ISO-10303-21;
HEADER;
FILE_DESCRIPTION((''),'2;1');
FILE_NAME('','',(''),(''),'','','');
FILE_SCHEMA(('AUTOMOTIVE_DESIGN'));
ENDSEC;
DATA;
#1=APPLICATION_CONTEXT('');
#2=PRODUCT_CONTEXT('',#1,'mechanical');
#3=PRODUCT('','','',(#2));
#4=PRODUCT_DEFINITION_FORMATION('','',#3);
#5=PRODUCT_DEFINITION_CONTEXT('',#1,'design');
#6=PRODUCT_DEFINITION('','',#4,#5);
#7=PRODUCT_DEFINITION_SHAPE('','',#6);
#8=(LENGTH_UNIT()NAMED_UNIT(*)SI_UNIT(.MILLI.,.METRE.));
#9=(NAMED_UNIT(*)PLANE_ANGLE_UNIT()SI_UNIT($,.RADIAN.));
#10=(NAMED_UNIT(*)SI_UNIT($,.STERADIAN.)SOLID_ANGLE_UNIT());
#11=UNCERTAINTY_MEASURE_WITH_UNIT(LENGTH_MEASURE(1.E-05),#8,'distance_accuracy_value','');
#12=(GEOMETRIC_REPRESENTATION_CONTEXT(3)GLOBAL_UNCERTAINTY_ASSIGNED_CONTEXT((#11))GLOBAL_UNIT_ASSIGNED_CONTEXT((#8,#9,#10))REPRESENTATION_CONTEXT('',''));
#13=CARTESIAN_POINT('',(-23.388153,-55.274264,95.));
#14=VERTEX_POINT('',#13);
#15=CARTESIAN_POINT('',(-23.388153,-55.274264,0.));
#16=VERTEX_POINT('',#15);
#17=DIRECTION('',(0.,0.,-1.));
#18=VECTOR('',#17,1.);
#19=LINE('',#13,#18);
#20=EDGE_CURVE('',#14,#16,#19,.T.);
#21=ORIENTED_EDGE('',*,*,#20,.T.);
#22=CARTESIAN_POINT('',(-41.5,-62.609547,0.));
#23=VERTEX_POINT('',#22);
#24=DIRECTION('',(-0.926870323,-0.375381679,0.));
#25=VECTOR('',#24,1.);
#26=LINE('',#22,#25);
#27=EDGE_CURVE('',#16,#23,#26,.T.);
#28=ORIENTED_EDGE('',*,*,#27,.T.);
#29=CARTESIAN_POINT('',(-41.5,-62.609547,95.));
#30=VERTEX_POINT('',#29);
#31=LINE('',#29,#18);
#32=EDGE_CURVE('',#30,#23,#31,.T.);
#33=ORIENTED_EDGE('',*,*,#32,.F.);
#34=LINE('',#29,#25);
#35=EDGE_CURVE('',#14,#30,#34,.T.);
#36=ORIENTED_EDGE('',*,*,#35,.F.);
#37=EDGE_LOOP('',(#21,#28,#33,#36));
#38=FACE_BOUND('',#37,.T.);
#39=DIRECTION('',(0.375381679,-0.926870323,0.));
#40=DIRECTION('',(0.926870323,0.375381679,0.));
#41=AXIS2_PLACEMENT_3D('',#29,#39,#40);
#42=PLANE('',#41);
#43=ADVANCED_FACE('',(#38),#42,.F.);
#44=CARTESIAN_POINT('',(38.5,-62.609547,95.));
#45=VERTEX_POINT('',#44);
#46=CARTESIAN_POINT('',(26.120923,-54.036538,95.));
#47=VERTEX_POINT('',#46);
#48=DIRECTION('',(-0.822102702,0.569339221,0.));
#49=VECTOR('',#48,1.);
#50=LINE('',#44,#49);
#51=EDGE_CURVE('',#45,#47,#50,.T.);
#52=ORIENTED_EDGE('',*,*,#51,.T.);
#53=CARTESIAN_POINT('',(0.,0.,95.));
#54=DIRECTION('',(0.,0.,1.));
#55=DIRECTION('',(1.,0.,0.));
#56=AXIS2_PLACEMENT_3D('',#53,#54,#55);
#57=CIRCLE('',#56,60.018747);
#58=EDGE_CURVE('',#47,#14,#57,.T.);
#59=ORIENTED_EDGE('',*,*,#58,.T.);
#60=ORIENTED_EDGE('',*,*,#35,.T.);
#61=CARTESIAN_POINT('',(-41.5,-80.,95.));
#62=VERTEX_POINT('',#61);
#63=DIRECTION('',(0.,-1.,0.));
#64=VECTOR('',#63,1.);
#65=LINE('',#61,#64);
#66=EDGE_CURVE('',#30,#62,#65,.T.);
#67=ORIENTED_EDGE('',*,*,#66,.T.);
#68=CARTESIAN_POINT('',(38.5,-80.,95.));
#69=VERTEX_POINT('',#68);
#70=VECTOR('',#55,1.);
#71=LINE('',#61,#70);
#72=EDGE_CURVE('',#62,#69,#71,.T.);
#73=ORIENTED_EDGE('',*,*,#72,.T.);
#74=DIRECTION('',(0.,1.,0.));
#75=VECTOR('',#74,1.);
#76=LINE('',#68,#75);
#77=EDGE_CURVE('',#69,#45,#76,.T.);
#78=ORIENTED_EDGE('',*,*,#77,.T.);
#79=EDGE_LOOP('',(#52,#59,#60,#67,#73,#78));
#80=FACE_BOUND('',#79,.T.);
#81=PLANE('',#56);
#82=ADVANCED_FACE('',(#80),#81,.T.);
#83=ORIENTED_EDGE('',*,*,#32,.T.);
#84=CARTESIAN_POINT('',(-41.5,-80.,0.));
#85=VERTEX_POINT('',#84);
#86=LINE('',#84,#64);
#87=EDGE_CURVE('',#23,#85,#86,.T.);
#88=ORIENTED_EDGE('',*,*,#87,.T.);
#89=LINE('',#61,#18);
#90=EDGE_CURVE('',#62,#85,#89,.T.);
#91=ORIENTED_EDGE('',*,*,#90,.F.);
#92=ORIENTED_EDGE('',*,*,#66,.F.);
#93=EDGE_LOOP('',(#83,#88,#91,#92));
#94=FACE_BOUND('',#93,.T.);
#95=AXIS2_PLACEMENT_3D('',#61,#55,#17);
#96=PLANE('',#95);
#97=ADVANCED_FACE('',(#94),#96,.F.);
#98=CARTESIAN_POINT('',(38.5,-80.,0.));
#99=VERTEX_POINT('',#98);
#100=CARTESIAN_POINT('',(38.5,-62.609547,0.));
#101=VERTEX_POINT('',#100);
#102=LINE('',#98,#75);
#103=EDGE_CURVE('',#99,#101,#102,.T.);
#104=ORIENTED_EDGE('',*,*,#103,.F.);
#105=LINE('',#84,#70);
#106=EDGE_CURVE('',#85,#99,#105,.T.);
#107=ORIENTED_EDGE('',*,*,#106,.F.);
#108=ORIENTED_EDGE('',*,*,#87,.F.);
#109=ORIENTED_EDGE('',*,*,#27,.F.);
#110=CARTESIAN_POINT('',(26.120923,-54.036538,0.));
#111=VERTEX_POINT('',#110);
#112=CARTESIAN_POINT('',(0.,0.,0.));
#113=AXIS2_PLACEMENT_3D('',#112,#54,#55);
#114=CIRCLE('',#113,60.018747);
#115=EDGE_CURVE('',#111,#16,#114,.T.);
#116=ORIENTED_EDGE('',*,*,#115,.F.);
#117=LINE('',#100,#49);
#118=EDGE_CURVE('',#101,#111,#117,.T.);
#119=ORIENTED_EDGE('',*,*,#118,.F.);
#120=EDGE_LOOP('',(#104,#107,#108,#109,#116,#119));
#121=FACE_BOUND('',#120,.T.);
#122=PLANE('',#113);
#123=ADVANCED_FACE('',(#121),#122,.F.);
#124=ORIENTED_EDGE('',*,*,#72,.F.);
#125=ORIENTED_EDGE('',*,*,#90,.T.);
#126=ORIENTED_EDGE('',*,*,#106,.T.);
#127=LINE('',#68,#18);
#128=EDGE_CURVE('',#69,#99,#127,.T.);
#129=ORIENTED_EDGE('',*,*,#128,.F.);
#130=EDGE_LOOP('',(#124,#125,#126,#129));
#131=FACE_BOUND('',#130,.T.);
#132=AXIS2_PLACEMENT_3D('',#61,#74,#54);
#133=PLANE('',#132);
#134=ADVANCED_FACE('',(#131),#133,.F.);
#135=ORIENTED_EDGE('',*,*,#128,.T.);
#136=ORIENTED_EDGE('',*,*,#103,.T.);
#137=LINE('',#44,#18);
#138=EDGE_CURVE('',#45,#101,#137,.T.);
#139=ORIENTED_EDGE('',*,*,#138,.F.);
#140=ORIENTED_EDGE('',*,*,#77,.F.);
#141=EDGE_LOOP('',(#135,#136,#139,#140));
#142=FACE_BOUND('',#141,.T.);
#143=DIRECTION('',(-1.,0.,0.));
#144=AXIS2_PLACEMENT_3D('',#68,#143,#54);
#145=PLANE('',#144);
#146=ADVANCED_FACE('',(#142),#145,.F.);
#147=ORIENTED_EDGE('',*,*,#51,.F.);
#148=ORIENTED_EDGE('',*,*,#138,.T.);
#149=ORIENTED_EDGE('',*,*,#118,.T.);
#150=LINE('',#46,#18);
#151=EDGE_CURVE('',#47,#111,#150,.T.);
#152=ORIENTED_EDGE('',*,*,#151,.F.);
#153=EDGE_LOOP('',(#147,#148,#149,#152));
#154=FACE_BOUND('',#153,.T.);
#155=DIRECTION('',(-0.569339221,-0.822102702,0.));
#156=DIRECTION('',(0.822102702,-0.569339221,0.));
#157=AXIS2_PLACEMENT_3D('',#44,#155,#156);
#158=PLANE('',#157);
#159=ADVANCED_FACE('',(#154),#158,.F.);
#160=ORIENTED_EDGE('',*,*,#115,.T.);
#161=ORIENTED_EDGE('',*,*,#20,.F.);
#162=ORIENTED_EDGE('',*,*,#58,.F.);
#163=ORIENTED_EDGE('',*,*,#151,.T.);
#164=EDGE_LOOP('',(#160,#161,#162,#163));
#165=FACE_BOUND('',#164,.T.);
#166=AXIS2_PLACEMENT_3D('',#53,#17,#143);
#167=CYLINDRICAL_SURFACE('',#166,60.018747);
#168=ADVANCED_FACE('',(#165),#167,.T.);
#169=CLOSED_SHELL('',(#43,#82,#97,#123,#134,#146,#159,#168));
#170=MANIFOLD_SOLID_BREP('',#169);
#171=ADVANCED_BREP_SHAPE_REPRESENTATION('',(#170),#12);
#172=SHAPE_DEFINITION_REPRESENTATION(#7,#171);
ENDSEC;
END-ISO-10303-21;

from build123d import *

# Parameters (mm, degrees)
DODANIE_WYCI_GNI_CIE1_DEPTH = 95


with BuildPart() as part:
    # Szkic1 → Dodanie-wyciągnięcie1 (new body)
    with BuildSketch(Plane.XY):
        with BuildLine():
            Line((-41.5, -80), (38.5, -80))
            Line((38.5, -80), (38.5, -62.609546875))
            Line((38.5, -62.609546875), (26.120922852, -54.03653754))
            ThreePointArc((26.120922852, -54.03653754), (-1.5, 60), (-23.388152803, -55.274264432))
            Line((-23.388152803, -55.274264432), (-41.5, -62.609546875))
            Line((-41.5, -62.609546875), (-41.5, -80))
        make_face()
    extrude(amount=DODANIE_WYCI_GNI_CIE1_DEPTH)


solid = part.part
